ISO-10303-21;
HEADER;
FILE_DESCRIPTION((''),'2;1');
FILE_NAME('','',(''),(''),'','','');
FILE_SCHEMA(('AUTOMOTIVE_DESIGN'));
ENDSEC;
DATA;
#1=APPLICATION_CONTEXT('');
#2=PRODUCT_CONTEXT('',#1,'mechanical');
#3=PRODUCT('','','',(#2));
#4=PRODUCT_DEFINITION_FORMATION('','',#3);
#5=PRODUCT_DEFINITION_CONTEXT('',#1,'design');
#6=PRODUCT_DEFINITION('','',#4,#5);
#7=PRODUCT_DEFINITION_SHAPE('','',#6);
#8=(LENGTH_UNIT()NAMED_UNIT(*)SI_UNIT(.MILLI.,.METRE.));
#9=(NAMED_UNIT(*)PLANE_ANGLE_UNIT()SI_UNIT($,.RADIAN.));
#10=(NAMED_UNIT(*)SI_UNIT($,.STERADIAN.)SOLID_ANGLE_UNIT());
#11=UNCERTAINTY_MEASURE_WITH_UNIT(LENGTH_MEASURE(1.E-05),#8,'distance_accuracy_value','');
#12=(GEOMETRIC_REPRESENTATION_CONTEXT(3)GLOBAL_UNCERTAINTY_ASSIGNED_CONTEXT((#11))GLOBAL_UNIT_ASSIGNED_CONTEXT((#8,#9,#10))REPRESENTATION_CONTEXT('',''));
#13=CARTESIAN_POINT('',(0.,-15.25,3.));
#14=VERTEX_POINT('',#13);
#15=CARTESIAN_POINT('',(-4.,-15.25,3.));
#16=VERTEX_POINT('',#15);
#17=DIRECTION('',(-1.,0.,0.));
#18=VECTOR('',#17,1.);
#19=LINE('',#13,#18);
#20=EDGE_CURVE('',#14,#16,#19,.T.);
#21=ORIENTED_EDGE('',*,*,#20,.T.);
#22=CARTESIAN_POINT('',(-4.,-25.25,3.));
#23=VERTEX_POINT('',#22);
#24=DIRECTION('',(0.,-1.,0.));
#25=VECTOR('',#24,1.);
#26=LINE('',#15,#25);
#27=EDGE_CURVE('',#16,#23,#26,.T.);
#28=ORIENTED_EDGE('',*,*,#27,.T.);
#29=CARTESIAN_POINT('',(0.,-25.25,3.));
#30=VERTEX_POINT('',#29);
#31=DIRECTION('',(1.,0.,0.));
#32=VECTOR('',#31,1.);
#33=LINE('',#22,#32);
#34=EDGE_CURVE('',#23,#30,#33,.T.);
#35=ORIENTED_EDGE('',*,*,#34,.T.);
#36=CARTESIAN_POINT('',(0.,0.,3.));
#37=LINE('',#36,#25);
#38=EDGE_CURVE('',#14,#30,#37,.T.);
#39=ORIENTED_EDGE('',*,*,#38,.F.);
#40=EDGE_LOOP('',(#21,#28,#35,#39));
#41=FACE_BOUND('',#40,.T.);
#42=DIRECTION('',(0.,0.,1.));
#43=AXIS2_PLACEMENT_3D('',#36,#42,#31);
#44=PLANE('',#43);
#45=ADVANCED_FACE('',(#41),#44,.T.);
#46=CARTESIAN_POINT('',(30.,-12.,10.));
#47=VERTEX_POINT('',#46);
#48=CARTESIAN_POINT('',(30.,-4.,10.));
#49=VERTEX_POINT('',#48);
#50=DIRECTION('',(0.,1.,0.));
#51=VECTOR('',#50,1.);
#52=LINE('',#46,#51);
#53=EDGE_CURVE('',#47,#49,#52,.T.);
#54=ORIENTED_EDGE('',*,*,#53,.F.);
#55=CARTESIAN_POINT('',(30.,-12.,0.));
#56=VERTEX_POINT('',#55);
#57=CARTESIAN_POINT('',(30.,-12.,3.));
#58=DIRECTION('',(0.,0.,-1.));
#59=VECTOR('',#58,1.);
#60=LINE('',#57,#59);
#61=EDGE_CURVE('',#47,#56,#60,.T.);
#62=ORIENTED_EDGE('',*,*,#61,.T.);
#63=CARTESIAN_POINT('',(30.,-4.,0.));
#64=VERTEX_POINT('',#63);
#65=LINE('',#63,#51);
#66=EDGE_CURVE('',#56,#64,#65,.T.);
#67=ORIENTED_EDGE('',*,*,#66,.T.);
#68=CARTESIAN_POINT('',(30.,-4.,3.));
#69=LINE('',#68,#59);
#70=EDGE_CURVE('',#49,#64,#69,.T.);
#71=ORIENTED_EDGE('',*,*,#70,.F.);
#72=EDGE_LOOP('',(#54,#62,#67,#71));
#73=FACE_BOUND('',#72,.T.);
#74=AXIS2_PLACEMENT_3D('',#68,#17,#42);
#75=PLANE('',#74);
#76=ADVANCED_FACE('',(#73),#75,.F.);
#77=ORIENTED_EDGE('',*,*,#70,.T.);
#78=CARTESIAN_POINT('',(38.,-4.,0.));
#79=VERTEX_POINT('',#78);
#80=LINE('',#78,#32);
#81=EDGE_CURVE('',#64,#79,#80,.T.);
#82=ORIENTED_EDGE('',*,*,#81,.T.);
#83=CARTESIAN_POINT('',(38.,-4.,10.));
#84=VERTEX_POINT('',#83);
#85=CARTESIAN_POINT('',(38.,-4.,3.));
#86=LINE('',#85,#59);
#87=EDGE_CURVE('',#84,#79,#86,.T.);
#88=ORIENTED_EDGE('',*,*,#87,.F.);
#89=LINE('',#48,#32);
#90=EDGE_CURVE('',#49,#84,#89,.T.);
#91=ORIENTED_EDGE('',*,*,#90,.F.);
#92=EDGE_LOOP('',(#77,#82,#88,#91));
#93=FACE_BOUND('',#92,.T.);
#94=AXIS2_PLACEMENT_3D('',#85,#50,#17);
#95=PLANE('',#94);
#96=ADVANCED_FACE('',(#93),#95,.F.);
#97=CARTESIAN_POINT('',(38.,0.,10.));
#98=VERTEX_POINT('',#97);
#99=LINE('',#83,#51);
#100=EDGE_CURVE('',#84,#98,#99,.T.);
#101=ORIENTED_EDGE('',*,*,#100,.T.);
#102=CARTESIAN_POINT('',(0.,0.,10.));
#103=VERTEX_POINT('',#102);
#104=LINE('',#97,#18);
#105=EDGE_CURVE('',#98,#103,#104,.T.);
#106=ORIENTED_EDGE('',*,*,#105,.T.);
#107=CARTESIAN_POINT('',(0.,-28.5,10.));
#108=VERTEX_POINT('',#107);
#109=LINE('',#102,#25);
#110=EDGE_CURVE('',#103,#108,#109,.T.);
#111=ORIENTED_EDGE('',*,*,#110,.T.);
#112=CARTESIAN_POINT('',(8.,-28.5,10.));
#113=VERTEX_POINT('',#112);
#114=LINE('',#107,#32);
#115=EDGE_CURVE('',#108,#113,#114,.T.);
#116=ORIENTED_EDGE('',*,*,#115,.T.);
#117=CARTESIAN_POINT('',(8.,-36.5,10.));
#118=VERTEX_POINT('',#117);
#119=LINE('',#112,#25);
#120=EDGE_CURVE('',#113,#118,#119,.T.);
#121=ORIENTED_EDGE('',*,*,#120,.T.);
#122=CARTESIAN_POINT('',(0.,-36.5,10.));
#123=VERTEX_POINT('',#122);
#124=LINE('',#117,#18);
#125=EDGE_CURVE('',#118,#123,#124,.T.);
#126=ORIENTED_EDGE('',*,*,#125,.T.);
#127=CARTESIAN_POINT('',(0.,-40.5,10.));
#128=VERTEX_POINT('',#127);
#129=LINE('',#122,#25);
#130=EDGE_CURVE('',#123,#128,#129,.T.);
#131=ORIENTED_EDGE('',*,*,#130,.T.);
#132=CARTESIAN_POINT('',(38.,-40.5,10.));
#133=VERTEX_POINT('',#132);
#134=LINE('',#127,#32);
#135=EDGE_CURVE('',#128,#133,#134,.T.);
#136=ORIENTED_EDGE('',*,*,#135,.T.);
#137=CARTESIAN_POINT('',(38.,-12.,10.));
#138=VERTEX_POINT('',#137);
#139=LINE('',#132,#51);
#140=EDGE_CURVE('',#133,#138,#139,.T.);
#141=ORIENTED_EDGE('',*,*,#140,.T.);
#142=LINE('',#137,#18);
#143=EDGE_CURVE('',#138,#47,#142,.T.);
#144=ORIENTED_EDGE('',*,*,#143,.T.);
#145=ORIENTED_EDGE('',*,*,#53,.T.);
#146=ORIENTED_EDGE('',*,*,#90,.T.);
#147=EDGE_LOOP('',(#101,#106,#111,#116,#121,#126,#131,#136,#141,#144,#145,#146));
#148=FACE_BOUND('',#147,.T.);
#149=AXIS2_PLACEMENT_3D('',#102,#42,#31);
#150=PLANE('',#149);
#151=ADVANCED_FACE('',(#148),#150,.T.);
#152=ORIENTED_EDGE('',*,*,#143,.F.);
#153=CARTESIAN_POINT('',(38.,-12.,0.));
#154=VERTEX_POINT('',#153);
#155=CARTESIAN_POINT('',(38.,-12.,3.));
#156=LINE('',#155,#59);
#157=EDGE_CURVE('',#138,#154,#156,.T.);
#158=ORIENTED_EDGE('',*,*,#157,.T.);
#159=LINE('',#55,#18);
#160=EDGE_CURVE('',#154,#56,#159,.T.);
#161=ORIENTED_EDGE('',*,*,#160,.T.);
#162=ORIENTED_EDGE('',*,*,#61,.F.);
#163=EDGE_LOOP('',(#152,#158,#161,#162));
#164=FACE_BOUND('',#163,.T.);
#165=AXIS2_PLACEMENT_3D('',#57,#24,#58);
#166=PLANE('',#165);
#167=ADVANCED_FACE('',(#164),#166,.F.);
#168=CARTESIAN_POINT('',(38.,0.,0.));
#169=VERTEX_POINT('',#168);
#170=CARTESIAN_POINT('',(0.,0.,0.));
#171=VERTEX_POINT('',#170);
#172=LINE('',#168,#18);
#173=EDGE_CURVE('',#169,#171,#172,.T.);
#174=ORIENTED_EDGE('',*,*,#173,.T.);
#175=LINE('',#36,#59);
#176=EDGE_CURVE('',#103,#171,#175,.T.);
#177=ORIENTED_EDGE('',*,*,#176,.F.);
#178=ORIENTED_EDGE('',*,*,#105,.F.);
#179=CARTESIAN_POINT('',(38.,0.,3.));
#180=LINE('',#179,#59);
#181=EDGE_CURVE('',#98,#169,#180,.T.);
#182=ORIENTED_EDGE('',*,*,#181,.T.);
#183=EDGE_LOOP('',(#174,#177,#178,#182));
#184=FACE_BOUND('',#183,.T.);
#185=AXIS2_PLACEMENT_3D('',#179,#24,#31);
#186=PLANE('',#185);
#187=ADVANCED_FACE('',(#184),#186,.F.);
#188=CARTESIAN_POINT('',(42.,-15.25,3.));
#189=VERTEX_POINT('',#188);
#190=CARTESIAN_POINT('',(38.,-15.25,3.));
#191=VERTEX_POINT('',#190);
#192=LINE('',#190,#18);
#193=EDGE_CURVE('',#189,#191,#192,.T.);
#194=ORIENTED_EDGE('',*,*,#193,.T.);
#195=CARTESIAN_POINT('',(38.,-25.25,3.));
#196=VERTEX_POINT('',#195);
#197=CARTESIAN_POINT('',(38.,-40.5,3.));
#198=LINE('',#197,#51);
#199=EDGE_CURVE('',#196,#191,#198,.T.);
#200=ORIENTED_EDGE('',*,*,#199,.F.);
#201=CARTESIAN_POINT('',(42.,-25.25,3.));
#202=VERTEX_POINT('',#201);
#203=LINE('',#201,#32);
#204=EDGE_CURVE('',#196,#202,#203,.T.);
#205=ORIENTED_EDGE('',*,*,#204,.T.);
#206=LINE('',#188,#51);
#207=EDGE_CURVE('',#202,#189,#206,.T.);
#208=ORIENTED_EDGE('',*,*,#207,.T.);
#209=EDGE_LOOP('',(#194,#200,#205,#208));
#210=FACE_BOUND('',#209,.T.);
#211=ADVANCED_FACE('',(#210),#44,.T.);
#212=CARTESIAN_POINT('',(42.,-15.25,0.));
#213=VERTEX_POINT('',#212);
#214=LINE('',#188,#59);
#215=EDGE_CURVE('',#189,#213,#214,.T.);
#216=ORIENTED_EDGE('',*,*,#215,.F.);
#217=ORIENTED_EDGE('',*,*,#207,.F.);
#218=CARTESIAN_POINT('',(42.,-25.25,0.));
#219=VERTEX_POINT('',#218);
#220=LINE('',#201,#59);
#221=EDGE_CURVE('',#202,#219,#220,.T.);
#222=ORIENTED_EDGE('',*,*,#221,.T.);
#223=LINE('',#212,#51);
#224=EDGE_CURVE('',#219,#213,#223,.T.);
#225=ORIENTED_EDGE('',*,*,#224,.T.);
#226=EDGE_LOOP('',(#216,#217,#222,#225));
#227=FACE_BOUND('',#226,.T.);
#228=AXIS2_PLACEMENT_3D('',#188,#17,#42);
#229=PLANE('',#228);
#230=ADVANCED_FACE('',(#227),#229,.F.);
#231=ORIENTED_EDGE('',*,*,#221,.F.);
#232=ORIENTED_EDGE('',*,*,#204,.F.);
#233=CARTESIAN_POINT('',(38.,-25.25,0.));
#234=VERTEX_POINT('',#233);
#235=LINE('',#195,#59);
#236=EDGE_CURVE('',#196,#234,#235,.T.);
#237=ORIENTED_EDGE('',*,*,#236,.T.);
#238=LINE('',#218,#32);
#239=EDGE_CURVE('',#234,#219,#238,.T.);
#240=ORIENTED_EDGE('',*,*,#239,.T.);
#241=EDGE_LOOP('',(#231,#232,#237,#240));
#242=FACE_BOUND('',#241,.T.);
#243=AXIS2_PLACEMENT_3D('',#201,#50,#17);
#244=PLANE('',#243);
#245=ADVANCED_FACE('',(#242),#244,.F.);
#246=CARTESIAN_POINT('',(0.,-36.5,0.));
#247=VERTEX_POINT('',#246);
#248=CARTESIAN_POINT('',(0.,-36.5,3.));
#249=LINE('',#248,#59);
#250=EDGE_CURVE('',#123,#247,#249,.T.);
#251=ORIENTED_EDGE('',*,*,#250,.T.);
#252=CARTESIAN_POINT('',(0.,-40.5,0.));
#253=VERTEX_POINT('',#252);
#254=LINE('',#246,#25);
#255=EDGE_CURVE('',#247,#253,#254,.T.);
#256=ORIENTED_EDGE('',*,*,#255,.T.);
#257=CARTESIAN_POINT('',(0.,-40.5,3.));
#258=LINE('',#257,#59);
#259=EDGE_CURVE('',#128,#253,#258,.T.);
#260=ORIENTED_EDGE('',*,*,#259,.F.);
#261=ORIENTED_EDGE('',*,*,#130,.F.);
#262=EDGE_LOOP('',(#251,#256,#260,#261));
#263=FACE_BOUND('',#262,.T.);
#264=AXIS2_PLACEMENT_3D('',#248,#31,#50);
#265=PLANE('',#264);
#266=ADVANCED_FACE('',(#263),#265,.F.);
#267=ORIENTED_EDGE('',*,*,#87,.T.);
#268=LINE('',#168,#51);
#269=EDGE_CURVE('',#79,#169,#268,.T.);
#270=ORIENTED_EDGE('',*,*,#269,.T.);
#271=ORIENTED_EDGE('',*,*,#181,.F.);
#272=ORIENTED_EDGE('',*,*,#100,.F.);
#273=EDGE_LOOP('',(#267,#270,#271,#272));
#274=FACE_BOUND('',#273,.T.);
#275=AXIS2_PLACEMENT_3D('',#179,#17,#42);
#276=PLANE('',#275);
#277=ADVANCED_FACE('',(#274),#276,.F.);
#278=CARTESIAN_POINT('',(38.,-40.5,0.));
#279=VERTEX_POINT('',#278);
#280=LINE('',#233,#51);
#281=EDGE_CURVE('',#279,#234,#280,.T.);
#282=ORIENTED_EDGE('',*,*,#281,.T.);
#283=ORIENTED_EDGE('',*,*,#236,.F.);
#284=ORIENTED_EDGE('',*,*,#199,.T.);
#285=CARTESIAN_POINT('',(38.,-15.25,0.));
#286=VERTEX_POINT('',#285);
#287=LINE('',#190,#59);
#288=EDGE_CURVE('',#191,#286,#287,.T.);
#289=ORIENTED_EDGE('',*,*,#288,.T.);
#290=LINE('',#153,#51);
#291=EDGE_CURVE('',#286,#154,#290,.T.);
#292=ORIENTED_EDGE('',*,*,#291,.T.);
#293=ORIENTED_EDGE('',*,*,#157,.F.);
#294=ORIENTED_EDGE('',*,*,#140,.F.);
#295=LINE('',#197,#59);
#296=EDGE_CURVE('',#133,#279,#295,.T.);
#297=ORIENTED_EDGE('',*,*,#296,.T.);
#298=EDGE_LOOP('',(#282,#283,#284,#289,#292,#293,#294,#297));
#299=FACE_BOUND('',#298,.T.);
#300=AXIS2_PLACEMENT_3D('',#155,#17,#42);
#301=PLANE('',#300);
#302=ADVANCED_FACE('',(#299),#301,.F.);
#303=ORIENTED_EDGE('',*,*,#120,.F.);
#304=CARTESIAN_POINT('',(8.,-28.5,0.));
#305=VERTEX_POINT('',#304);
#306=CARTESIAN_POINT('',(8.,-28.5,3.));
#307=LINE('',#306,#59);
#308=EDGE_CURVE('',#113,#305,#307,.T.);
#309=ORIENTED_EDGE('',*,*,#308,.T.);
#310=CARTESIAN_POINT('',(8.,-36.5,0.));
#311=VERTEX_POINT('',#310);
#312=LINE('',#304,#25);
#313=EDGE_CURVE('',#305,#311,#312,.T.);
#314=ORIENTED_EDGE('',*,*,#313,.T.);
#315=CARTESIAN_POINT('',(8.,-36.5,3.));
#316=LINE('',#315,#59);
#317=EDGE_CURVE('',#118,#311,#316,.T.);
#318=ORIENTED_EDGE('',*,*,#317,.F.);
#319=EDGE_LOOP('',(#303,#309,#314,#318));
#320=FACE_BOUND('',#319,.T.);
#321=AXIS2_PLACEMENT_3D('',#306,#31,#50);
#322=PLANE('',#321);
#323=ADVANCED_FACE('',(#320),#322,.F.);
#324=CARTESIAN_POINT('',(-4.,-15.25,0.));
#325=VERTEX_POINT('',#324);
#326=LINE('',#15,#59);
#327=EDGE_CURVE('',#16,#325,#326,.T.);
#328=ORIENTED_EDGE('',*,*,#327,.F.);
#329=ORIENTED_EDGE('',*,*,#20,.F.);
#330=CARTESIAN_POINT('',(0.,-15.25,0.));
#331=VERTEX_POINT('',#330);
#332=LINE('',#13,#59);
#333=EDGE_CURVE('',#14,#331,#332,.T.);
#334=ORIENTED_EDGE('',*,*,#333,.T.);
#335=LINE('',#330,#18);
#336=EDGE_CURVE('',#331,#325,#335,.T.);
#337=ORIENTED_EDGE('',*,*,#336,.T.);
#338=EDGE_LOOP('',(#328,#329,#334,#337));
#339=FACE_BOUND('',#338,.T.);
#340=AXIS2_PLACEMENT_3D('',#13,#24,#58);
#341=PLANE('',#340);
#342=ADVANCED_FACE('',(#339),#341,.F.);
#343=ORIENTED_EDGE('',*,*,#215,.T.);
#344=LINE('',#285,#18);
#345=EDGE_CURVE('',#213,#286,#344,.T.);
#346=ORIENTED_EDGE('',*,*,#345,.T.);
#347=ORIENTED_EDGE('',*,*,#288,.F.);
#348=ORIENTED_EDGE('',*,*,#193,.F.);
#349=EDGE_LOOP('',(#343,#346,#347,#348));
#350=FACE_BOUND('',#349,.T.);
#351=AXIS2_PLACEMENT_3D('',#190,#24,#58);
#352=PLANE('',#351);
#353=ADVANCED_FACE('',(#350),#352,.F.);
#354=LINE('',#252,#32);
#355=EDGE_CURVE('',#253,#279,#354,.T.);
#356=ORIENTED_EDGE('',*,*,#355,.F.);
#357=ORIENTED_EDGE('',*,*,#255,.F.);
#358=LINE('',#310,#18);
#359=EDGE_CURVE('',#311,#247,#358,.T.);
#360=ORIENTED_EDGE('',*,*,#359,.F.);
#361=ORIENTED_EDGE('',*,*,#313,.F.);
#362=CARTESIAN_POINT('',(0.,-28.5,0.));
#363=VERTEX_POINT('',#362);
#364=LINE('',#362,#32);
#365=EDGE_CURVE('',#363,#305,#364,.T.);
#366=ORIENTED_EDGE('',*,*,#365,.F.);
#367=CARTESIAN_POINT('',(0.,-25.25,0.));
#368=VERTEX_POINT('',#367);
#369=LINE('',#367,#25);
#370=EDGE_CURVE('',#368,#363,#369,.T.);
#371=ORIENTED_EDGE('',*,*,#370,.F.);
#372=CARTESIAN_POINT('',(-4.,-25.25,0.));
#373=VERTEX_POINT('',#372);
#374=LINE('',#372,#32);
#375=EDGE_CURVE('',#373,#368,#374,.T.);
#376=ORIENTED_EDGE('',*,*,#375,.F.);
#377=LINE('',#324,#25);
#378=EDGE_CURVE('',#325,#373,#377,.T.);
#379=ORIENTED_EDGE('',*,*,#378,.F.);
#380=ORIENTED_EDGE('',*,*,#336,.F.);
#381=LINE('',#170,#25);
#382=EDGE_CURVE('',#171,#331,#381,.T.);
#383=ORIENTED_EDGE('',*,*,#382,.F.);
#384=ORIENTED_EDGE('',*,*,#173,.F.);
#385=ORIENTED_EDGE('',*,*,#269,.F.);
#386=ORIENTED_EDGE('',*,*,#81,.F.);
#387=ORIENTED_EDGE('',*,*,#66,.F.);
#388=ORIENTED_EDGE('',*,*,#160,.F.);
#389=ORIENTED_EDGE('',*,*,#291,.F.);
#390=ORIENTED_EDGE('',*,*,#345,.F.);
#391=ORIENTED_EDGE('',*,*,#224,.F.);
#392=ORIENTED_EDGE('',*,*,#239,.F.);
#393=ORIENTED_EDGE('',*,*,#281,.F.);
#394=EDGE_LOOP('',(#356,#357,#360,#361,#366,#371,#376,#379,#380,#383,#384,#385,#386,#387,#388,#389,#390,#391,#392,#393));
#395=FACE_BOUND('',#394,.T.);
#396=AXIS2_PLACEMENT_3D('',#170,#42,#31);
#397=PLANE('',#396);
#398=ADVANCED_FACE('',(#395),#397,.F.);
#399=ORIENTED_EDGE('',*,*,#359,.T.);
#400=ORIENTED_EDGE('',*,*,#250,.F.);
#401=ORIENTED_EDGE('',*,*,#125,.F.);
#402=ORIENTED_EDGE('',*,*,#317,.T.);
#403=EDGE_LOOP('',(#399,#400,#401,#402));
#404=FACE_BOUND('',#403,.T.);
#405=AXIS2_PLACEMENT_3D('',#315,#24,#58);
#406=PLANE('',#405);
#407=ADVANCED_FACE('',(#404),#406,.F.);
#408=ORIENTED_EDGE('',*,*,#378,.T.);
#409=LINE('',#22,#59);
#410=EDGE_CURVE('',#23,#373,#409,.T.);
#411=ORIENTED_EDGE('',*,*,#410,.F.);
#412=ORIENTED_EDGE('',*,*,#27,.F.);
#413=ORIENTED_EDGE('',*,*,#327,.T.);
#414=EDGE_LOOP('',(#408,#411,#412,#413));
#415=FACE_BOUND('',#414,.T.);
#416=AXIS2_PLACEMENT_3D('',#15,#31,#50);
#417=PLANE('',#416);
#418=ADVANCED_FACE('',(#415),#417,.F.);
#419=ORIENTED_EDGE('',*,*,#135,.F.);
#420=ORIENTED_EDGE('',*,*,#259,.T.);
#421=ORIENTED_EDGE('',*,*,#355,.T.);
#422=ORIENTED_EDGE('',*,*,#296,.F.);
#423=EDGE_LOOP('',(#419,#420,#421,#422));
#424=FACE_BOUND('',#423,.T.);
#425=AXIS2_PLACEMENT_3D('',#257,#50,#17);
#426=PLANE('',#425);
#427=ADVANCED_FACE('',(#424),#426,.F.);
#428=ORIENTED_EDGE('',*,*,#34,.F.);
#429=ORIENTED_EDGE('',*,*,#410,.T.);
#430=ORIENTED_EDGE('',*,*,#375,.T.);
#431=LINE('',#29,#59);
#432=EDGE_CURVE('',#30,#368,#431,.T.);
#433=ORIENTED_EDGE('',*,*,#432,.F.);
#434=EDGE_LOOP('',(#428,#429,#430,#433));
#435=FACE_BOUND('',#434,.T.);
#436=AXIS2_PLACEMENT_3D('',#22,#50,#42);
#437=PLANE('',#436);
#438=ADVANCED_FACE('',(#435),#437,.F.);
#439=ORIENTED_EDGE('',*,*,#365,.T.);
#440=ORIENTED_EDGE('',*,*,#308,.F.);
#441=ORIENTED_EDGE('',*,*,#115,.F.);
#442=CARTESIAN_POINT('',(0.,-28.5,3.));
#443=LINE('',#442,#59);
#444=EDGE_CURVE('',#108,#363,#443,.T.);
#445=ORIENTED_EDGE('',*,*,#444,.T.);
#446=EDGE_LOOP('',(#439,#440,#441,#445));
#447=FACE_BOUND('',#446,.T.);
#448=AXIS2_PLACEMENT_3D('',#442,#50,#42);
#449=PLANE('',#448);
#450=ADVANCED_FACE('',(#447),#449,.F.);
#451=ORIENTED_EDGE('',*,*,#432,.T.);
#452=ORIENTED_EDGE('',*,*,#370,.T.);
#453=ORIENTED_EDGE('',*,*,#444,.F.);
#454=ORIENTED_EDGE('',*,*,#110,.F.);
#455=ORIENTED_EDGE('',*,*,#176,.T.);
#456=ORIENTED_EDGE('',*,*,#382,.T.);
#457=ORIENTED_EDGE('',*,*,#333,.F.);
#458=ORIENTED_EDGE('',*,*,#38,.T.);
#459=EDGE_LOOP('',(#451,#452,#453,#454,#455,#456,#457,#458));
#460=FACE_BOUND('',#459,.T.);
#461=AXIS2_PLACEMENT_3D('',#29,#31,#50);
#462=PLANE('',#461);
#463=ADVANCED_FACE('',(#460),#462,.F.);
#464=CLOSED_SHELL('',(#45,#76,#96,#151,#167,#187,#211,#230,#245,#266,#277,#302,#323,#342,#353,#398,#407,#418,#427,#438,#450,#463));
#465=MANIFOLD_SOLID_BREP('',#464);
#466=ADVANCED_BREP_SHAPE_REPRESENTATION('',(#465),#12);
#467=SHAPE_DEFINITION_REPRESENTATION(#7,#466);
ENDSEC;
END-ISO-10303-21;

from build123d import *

# Parameters (mm, degrees)
EXTRUDE_1_DEPTH = 3
EXTRUDE_2_DEPTH = 7


with BuildPart() as part:
    # 草图1 → 凸台-拉伸1 (new body)
    with BuildSketch(Plane.XY):
        Polygon((0, 0), (0, -15.25), (-4, -15.25), (-4, -25.25), (0, -25.25), (0, -28.5), (8, -28.5), (8, -36.5), (0, -36.5), (0, -40.5), (38, -40.5), (38, -25.25), (42, -25.25), (42, -15.25), (38, -15.25), (38, -12), (30, -12), (30, -4), (38, -4), (38, 0), align=None)
    extrude(amount=EXTRUDE_1_DEPTH)

    # 草图2 → 凸台-拉伸2 (add)
    with BuildSketch(Plane.XY.offset(3)):
        Polygon((0, 0), (0, -28.5), (8, -28.5), (8, -36.5), (0, -36.5), (0, -40.5), (38, -40.5), (38, -12), (30, -12), (30, -4), (38, -4), (38, 0), align=None)
    extrude(amount=EXTRUDE_2_DEPTH)


solid = part.part
